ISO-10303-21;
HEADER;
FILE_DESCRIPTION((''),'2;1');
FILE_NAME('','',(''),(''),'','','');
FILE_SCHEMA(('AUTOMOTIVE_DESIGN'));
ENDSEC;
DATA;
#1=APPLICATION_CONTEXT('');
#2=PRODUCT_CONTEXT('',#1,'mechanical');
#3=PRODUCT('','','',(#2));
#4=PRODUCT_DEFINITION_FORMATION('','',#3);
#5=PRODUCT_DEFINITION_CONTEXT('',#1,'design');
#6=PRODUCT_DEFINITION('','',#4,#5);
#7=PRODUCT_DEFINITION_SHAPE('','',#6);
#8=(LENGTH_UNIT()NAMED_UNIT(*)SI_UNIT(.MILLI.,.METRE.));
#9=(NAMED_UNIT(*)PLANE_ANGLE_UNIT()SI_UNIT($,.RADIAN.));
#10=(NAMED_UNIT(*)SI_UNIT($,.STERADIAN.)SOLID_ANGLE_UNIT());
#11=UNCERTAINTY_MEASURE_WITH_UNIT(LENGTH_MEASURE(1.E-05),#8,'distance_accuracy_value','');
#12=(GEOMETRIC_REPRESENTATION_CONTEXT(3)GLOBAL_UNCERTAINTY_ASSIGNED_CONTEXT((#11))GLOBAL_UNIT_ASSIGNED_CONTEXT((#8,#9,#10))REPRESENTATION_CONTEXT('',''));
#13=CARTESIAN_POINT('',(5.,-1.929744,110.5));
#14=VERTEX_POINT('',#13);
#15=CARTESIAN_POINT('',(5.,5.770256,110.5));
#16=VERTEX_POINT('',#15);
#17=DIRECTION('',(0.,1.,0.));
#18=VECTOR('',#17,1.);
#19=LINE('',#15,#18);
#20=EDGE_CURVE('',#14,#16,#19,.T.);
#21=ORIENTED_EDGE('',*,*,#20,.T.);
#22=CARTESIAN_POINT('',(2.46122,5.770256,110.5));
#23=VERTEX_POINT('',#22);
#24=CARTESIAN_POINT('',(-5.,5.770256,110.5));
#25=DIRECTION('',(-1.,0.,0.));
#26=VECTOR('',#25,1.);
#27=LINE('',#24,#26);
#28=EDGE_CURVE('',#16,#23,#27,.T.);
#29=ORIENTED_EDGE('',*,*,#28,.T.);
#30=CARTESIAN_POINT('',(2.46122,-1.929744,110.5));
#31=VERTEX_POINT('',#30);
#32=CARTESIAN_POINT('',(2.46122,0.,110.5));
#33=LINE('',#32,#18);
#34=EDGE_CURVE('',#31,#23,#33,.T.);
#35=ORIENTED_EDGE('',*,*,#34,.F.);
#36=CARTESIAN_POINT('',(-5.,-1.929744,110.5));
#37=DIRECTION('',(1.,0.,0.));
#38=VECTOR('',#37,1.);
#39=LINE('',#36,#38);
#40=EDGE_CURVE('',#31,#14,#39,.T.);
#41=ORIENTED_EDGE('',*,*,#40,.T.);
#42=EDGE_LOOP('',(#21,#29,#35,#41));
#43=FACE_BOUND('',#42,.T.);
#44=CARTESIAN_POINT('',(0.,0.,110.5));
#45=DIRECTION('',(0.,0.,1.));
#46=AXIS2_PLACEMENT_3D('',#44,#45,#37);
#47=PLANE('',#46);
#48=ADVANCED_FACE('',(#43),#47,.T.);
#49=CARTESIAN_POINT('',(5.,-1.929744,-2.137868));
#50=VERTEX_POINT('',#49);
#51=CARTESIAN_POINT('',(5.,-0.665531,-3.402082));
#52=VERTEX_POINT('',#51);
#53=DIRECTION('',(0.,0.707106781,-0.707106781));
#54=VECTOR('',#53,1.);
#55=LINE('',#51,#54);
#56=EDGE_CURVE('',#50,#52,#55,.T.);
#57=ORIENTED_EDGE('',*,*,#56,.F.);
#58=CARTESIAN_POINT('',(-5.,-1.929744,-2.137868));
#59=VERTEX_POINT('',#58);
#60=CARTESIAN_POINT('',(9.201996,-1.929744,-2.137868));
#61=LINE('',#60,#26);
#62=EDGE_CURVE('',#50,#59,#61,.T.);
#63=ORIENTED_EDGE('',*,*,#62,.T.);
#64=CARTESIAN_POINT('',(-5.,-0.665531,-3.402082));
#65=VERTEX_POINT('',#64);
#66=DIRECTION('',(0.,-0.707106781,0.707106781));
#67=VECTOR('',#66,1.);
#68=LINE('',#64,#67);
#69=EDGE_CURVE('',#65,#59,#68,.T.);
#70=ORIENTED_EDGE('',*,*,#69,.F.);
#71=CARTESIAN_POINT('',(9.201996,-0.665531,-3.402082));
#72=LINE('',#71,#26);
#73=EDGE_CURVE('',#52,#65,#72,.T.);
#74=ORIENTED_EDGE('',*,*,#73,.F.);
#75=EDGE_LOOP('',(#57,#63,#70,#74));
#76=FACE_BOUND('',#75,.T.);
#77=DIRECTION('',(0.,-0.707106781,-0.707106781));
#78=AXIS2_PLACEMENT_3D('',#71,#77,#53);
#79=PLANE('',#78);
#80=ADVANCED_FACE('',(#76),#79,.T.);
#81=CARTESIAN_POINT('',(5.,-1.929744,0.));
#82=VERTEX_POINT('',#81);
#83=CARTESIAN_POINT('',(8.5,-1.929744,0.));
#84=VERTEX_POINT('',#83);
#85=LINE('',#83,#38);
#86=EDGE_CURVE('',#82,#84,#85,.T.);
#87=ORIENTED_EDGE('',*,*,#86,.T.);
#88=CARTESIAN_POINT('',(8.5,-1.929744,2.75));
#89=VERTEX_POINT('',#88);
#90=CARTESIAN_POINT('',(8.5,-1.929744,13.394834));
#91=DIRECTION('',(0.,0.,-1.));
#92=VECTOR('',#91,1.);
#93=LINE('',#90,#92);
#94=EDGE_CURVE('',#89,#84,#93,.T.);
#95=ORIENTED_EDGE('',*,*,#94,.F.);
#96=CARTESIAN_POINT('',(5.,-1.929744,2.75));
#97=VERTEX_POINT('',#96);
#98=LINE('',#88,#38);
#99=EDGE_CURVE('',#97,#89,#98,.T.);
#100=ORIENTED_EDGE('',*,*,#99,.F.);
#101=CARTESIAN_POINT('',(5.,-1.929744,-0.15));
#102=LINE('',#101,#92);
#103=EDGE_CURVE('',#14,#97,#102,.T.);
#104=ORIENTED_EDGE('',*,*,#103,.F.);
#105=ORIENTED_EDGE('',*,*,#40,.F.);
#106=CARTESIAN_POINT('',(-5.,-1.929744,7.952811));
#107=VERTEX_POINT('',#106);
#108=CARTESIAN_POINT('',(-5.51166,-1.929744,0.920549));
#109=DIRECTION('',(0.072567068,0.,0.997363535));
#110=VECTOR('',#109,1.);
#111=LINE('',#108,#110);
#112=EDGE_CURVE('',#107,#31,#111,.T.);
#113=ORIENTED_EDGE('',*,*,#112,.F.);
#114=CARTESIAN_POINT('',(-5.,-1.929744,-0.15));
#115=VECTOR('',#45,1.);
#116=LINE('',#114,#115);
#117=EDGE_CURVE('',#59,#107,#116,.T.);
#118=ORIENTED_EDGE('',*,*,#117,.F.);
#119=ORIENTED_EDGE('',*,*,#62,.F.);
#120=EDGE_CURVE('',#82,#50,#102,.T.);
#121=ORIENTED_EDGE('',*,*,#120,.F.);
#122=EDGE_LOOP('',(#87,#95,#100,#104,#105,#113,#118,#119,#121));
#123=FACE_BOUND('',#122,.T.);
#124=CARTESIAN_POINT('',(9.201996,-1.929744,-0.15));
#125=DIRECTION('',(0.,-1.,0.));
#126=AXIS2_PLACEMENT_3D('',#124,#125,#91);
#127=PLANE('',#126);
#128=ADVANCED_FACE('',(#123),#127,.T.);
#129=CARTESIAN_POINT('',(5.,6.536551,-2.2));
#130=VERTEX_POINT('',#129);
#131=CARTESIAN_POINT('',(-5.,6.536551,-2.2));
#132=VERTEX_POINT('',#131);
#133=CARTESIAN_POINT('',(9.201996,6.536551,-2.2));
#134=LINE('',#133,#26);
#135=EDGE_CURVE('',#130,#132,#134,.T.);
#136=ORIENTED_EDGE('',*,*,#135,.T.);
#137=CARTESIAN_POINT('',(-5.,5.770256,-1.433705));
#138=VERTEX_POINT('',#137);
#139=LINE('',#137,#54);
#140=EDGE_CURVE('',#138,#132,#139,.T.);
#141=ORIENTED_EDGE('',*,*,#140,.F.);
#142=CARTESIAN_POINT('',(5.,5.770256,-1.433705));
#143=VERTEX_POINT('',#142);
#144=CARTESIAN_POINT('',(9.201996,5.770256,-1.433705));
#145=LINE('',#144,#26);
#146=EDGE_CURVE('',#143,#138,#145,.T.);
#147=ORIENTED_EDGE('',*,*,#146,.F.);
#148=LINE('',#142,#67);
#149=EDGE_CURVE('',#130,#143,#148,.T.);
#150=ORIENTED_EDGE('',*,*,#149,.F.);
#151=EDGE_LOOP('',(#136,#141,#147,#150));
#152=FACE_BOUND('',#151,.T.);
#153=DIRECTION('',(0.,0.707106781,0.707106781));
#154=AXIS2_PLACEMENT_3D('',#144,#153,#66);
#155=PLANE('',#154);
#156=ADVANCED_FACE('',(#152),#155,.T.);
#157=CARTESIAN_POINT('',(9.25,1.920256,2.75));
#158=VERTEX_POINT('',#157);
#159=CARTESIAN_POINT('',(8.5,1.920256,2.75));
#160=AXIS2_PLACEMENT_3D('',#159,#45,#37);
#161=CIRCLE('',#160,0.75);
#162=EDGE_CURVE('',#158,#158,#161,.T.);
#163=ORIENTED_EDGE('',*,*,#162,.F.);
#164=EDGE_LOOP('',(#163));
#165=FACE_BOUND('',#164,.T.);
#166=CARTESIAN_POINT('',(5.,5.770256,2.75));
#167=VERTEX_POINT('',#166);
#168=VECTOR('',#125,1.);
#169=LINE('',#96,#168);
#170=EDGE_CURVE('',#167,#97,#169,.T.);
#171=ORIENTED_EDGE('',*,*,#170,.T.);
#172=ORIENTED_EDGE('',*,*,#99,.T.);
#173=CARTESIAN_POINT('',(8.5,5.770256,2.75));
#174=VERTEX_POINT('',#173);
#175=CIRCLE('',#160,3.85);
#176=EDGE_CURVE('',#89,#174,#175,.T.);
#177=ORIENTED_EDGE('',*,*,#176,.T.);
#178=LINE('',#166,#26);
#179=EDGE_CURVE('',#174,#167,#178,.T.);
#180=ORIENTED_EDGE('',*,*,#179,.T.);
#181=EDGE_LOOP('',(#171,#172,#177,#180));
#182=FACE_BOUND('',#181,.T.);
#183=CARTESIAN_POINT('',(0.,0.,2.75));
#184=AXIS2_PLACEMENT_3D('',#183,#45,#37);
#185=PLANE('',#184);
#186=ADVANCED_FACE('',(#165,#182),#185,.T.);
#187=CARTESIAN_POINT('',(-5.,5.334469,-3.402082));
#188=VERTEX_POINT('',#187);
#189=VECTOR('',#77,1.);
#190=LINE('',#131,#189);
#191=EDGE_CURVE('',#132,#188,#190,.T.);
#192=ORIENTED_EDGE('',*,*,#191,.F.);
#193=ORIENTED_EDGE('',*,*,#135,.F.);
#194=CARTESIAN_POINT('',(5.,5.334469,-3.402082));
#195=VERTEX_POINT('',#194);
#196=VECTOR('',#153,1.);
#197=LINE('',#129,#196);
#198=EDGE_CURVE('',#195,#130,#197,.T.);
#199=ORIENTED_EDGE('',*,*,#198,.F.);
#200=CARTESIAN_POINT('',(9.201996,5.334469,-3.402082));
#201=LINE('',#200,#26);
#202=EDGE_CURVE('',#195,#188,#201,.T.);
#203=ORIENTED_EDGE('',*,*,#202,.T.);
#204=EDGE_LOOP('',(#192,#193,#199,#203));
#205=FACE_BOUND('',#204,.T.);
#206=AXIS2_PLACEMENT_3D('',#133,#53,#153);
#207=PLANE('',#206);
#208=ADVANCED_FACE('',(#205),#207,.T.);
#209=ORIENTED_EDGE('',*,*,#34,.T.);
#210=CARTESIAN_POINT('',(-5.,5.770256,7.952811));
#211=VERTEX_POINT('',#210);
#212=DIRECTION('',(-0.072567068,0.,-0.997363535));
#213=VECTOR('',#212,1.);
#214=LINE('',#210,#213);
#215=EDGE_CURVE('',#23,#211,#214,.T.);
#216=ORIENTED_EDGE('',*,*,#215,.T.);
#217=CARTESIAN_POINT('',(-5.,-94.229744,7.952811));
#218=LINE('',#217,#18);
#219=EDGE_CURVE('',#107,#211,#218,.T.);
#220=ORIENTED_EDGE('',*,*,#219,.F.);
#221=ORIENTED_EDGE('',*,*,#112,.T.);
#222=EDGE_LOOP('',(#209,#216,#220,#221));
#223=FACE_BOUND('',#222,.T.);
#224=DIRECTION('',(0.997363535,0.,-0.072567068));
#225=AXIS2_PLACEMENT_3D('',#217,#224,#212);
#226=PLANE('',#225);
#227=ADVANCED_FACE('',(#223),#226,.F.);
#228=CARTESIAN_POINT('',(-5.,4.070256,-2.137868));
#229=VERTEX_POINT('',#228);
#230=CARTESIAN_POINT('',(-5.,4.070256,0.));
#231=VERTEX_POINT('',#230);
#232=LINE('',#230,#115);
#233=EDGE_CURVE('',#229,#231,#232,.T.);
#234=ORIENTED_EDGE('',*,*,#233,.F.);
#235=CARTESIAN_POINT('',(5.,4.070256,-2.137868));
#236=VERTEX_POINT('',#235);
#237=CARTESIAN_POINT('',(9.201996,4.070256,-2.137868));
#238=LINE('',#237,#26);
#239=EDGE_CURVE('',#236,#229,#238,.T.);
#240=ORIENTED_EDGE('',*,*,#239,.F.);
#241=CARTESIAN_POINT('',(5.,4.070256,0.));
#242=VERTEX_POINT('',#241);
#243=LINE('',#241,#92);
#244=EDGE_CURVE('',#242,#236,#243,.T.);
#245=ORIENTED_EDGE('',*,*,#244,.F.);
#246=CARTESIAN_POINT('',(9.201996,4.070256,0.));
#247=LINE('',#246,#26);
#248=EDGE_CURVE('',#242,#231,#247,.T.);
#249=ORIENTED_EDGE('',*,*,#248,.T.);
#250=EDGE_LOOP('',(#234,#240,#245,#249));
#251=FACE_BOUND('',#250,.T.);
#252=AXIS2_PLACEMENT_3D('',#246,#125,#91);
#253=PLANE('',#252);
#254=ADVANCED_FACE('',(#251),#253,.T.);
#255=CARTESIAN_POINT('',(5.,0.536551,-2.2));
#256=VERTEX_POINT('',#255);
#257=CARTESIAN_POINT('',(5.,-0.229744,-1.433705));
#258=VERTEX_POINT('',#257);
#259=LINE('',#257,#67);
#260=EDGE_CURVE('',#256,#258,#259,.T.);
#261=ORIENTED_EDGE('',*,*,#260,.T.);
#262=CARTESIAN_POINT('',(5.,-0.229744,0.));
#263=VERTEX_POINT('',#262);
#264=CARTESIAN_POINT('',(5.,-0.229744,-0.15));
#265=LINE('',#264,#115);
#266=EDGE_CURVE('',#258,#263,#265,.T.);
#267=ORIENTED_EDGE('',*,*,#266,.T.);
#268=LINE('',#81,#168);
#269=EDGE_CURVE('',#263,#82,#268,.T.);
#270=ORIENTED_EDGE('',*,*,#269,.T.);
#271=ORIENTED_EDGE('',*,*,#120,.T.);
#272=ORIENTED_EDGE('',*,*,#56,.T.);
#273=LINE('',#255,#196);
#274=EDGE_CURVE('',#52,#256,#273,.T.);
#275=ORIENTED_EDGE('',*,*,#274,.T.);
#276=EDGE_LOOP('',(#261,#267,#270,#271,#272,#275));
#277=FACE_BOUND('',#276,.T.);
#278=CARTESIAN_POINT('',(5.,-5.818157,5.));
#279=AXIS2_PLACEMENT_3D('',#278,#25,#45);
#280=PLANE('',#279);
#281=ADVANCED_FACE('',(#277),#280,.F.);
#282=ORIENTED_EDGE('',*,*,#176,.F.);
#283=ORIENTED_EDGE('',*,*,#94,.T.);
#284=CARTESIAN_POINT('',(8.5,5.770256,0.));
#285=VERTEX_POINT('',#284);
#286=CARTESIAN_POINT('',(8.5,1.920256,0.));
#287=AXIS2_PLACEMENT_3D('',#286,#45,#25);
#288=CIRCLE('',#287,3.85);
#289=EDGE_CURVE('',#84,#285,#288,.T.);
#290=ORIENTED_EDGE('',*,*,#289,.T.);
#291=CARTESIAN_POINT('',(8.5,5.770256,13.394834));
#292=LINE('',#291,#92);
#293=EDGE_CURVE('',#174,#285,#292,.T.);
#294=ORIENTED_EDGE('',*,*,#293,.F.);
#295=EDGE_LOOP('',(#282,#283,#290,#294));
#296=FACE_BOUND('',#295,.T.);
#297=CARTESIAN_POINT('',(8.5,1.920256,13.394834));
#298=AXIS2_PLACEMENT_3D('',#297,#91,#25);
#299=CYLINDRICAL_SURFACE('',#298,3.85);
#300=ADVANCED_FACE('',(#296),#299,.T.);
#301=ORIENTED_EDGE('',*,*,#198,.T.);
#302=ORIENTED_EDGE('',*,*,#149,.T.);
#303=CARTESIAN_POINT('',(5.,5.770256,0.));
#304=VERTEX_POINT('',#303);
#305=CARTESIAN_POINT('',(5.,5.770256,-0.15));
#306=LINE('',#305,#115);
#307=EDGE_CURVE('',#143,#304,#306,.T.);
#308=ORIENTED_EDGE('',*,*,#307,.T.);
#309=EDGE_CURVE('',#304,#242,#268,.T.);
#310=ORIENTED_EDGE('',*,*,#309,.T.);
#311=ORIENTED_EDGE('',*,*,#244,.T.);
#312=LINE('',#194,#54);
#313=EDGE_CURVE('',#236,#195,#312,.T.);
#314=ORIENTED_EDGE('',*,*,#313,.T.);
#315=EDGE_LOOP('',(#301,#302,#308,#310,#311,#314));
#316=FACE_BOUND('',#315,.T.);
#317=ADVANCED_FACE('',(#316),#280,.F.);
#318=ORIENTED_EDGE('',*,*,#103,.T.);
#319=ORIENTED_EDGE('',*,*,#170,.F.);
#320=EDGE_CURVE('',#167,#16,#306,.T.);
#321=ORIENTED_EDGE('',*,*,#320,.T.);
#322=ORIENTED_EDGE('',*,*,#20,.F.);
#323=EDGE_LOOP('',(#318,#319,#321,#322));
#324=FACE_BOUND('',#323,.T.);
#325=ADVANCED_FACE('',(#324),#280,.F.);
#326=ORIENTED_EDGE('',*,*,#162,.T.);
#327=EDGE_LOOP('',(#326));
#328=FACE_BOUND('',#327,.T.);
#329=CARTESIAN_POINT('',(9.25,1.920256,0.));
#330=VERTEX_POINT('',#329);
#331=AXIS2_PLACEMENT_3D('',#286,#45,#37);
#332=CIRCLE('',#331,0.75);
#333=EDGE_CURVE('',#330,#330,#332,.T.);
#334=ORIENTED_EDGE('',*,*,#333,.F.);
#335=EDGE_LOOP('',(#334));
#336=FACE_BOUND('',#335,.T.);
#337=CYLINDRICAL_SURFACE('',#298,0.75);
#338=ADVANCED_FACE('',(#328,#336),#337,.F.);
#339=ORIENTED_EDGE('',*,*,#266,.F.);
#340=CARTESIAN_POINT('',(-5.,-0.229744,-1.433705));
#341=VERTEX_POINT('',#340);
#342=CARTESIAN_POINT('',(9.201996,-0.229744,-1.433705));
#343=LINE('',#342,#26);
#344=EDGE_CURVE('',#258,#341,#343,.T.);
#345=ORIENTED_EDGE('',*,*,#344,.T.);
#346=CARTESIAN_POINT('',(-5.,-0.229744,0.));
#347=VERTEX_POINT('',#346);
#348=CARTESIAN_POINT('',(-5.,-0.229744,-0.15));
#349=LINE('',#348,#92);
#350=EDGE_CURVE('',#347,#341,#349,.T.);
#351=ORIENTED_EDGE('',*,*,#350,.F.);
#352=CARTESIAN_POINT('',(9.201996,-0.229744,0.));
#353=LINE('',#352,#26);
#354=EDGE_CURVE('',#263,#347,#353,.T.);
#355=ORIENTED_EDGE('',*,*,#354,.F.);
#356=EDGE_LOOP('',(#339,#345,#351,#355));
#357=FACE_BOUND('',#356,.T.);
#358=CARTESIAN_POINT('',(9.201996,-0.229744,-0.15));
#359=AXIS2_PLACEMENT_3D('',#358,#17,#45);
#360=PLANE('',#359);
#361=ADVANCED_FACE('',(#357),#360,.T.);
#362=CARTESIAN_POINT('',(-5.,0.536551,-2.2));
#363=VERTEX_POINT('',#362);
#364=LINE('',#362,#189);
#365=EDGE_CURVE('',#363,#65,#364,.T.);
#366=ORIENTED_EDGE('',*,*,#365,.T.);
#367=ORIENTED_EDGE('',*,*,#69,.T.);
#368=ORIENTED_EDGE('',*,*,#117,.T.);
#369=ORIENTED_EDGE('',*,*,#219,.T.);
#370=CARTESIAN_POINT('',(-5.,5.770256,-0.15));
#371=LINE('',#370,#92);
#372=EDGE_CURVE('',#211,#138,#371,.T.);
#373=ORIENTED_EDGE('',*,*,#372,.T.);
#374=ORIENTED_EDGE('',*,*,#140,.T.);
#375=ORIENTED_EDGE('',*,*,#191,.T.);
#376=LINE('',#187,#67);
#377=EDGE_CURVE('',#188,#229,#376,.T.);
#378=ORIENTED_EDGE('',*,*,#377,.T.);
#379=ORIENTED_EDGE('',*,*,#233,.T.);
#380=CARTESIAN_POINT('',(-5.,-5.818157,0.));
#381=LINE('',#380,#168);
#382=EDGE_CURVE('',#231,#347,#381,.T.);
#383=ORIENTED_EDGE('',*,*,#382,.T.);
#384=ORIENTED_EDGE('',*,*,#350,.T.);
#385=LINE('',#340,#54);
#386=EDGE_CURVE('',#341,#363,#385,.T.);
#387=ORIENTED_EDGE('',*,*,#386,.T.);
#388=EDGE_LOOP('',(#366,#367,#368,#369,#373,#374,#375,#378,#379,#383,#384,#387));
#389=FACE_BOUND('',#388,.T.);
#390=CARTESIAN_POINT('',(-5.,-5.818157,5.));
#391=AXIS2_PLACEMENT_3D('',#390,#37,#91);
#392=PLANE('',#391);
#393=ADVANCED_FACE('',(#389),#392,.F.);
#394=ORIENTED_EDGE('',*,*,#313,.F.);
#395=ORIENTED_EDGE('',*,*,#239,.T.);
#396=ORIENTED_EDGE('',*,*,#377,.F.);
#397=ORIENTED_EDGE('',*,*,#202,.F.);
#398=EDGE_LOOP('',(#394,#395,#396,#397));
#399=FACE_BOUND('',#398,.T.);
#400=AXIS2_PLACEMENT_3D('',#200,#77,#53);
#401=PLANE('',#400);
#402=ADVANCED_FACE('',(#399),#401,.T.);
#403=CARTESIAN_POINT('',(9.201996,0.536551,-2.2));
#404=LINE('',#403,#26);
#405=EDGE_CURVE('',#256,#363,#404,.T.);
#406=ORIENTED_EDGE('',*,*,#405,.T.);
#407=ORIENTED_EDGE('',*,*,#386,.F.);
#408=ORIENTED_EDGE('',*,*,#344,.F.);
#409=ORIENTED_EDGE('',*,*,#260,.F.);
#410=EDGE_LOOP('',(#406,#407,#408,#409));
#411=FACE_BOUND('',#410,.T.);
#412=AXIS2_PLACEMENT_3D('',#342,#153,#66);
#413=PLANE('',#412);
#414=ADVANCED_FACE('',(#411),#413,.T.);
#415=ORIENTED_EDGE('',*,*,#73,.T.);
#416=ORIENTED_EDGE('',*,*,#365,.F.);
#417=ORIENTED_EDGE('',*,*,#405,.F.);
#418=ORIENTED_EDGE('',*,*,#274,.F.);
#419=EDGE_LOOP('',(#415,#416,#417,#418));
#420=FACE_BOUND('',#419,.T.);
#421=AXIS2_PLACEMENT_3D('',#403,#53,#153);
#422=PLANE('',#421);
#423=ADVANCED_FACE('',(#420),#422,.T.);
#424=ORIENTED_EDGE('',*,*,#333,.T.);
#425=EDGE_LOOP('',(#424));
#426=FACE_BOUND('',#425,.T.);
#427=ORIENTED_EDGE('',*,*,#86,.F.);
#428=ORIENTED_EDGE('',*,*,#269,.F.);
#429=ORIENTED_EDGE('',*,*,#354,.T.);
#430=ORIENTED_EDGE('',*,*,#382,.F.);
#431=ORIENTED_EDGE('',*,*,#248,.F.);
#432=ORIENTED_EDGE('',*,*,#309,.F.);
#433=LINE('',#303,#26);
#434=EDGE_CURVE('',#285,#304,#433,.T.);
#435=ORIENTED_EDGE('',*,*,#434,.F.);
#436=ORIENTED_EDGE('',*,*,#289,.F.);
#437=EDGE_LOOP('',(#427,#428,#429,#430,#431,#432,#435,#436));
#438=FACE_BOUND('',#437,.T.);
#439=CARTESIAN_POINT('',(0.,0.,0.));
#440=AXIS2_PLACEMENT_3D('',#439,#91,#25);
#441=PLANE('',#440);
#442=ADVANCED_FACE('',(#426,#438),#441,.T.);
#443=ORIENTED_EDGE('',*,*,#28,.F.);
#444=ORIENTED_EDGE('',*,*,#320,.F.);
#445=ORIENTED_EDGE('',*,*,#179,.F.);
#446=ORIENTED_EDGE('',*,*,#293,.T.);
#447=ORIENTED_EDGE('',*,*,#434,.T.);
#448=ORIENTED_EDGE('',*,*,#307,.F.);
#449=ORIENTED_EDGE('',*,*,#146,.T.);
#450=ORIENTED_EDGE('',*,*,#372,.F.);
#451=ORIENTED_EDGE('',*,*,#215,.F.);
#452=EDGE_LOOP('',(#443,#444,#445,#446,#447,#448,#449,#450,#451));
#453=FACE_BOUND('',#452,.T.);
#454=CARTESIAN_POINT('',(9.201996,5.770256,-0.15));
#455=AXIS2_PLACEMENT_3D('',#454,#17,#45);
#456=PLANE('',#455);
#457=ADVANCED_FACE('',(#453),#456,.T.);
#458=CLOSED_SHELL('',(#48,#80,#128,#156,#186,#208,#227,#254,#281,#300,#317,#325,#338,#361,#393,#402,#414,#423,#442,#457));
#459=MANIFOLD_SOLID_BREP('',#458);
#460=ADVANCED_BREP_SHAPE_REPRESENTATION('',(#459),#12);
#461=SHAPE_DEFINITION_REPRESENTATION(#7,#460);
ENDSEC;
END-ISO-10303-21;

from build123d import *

# Parameters (mm, degrees)
SKETCH2_W           = 10
SKETCH2_H           = 14.768412439
BOSS_EXTRUDE1_DEPTH = 5
BOSS_EXTRUDE4_DEPTH = 10
SKETCH9_W           = 10
SKETCH9_H           = 3.18
SKETCH9_H_2         = 3.888412439
CUT_EXTRUDE3_DEPTH  = 5
BOSS_EXTRUDE5_DEPTH = 7.7
SKETCH12_R          = 0.75
BOSS_EXTRUDE7_DEPTH = 2.75
FILLET1_R           = 2.5
SKETCH13_W          = 17.887250462
SKETCH13_H          = 46.229219396
CUT_EXTRUDE4_DEPTH  = 20
SKETCH15_W          = 10
SKETCH15_H          = 7.7
BOSS_EXTRUDE9_DEPTH = 100
CUT_EXTRUDE5_DEPTH  = 100


with BuildPart() as part:
    # Sketch2 → Boss-Extrude1 (new body)
    with BuildSketch(Plane.XY):
        with Locations((0, 1.566049366)):
            Rectangle(SKETCH2_W, SKETCH2_H)
    extrude(amount=BOSS_EXTRUDE1_DEPTH)

    # Sketch8 → Boss-Extrude4 (add)
    with BuildSketch(Plane.ZY.offset(5)):
        Polygon((-0.15, 5.770255585), (0, 5.770255585), (0, 4.070255585), (-0.15, 4.070255585), (-2.137867966, 4.070255585), (-3.402081528, 5.334469147), (-2.2, 6.536550675), (-1.43370491, 5.770255585), align=None)
        Polygon((-0.15, -1.929744415), (0, -1.929744415), (0, -0.229744415), (-0.15, -0.229744415), (-1.43370491, -0.229744415), (-2.2, 0.536550675), (-3.402081528, -0.665530853), (-2.137867966, -1.929744415), align=None)
    extrude(amount=-BOSS_EXTRUDE4_DEPTH)

    # Sketch9 → Cut-Extrude3 (cut)
    with BuildSketch(Plane(origin=(0, 0, 0), x_dir=(-1, 0, 0), z_dir=(0, 0, -1))):
        with Locations((0, 7.360255585)):
            Rectangle(SKETCH9_W, SKETCH9_H)
        with Locations((0, -3.873950635)):
            Rectangle(SKETCH9_W, SKETCH9_H_2)
    extrude(amount=-CUT_EXTRUDE3_DEPTH, mode=Mode.SUBTRACT)

    # Sketch10 → Boss-Extrude5 (add)
    with BuildSketch(Plane(origin=(0, 5.770255585, 0), x_dir=(1, 0, 0), z_dir=(0, 1, 0))):
        with BuildLine():
            Line((-5, -5), (-5, -10.5))
            Line((-5, -10.5), (1.352445729, -55.7))
            Line((1.352445729, -55.7), (6.352445729, -55.7))
            Line((6.352445729, -55.7), (6.352445729, -49.2))
            ThreePointArc((6.352445729, -49.2), (1.383429579, -31.764936646), (5, -14))
            Line((5, -14), (5, -5))
            Line((5, -5), (-5, -5))
        make_face()
    extrude(amount=-BOSS_EXTRUDE5_DEPTH)

    # Sketch12 → Boss-Extrude7 (add)
    with BuildSketch(Plane.XY):
        with BuildLine():
            Line((5, 5.770255585), (8.5, 5.770255585))
            ThreePointArc((8.5, 5.770255585), (12.35, 1.920255585), (8.5, -1.929744415))
            Line((8.5, -1.929744415), (5, -1.929744415))
            Line((5, -1.929744415), (5, 5.770255585))
        make_face()
        with Locations((8.5, 1.920255585)):
            Circle(SKETCH12_R, mode=Mode.SUBTRACT)
    extrude(amount=BOSS_EXTRUDE7_DEPTH)

    # Fillet1
    fillet1_edges = [part.edges().sort_by_distance(p)[0] for p in [
        (6.352445729, 1.920255585, 49.2),
        (5, 1.920255585, 14),
        (1.352445729, 1.920255585, 55.7),
        (6.352445729, 1.920255585, 55.7),
    ]]
    fillet(fillet1_edges, radius=FILLET1_R)

    # Sketch13 → Cut-Extrude4 (cut)
    with BuildSketch(Plane(origin=(0, 5.770255585, 0), x_dir=(1, 0, 0), z_dir=(0, 1, 0))):
        with Locations((3.943625231, -33.614609698)):
            Rectangle(SKETCH13_W, SKETCH13_H)
    extrude(amount=-CUT_EXTRUDE4_DEPTH, mode=Mode.SUBTRACT)

    # Sketch15 → Boss-Extrude9 (add)
    with BuildSketch(Plane.XY.offset(10.5)):
        with Locations((0, 1.920255585)):
            Rectangle(SKETCH15_W, SKETCH15_H)
    extrude(amount=BOSS_EXTRUDE9_DEPTH)

    # Sketch16 → Cut-Extrude5 (cut)
    with BuildSketch(Plane(origin=(0, 5.770255585, 0), x_dir=(1, 0, 0), z_dir=(0, 1, 0))):
        Polygon((-5, -7.952810564), (2.461220142, -110.5), (-5, -110.5), align=None)
    extrude(amount=-CUT_EXTRUDE5_DEPTH, mode=Mode.SUBTRACT)


solid = part.part
